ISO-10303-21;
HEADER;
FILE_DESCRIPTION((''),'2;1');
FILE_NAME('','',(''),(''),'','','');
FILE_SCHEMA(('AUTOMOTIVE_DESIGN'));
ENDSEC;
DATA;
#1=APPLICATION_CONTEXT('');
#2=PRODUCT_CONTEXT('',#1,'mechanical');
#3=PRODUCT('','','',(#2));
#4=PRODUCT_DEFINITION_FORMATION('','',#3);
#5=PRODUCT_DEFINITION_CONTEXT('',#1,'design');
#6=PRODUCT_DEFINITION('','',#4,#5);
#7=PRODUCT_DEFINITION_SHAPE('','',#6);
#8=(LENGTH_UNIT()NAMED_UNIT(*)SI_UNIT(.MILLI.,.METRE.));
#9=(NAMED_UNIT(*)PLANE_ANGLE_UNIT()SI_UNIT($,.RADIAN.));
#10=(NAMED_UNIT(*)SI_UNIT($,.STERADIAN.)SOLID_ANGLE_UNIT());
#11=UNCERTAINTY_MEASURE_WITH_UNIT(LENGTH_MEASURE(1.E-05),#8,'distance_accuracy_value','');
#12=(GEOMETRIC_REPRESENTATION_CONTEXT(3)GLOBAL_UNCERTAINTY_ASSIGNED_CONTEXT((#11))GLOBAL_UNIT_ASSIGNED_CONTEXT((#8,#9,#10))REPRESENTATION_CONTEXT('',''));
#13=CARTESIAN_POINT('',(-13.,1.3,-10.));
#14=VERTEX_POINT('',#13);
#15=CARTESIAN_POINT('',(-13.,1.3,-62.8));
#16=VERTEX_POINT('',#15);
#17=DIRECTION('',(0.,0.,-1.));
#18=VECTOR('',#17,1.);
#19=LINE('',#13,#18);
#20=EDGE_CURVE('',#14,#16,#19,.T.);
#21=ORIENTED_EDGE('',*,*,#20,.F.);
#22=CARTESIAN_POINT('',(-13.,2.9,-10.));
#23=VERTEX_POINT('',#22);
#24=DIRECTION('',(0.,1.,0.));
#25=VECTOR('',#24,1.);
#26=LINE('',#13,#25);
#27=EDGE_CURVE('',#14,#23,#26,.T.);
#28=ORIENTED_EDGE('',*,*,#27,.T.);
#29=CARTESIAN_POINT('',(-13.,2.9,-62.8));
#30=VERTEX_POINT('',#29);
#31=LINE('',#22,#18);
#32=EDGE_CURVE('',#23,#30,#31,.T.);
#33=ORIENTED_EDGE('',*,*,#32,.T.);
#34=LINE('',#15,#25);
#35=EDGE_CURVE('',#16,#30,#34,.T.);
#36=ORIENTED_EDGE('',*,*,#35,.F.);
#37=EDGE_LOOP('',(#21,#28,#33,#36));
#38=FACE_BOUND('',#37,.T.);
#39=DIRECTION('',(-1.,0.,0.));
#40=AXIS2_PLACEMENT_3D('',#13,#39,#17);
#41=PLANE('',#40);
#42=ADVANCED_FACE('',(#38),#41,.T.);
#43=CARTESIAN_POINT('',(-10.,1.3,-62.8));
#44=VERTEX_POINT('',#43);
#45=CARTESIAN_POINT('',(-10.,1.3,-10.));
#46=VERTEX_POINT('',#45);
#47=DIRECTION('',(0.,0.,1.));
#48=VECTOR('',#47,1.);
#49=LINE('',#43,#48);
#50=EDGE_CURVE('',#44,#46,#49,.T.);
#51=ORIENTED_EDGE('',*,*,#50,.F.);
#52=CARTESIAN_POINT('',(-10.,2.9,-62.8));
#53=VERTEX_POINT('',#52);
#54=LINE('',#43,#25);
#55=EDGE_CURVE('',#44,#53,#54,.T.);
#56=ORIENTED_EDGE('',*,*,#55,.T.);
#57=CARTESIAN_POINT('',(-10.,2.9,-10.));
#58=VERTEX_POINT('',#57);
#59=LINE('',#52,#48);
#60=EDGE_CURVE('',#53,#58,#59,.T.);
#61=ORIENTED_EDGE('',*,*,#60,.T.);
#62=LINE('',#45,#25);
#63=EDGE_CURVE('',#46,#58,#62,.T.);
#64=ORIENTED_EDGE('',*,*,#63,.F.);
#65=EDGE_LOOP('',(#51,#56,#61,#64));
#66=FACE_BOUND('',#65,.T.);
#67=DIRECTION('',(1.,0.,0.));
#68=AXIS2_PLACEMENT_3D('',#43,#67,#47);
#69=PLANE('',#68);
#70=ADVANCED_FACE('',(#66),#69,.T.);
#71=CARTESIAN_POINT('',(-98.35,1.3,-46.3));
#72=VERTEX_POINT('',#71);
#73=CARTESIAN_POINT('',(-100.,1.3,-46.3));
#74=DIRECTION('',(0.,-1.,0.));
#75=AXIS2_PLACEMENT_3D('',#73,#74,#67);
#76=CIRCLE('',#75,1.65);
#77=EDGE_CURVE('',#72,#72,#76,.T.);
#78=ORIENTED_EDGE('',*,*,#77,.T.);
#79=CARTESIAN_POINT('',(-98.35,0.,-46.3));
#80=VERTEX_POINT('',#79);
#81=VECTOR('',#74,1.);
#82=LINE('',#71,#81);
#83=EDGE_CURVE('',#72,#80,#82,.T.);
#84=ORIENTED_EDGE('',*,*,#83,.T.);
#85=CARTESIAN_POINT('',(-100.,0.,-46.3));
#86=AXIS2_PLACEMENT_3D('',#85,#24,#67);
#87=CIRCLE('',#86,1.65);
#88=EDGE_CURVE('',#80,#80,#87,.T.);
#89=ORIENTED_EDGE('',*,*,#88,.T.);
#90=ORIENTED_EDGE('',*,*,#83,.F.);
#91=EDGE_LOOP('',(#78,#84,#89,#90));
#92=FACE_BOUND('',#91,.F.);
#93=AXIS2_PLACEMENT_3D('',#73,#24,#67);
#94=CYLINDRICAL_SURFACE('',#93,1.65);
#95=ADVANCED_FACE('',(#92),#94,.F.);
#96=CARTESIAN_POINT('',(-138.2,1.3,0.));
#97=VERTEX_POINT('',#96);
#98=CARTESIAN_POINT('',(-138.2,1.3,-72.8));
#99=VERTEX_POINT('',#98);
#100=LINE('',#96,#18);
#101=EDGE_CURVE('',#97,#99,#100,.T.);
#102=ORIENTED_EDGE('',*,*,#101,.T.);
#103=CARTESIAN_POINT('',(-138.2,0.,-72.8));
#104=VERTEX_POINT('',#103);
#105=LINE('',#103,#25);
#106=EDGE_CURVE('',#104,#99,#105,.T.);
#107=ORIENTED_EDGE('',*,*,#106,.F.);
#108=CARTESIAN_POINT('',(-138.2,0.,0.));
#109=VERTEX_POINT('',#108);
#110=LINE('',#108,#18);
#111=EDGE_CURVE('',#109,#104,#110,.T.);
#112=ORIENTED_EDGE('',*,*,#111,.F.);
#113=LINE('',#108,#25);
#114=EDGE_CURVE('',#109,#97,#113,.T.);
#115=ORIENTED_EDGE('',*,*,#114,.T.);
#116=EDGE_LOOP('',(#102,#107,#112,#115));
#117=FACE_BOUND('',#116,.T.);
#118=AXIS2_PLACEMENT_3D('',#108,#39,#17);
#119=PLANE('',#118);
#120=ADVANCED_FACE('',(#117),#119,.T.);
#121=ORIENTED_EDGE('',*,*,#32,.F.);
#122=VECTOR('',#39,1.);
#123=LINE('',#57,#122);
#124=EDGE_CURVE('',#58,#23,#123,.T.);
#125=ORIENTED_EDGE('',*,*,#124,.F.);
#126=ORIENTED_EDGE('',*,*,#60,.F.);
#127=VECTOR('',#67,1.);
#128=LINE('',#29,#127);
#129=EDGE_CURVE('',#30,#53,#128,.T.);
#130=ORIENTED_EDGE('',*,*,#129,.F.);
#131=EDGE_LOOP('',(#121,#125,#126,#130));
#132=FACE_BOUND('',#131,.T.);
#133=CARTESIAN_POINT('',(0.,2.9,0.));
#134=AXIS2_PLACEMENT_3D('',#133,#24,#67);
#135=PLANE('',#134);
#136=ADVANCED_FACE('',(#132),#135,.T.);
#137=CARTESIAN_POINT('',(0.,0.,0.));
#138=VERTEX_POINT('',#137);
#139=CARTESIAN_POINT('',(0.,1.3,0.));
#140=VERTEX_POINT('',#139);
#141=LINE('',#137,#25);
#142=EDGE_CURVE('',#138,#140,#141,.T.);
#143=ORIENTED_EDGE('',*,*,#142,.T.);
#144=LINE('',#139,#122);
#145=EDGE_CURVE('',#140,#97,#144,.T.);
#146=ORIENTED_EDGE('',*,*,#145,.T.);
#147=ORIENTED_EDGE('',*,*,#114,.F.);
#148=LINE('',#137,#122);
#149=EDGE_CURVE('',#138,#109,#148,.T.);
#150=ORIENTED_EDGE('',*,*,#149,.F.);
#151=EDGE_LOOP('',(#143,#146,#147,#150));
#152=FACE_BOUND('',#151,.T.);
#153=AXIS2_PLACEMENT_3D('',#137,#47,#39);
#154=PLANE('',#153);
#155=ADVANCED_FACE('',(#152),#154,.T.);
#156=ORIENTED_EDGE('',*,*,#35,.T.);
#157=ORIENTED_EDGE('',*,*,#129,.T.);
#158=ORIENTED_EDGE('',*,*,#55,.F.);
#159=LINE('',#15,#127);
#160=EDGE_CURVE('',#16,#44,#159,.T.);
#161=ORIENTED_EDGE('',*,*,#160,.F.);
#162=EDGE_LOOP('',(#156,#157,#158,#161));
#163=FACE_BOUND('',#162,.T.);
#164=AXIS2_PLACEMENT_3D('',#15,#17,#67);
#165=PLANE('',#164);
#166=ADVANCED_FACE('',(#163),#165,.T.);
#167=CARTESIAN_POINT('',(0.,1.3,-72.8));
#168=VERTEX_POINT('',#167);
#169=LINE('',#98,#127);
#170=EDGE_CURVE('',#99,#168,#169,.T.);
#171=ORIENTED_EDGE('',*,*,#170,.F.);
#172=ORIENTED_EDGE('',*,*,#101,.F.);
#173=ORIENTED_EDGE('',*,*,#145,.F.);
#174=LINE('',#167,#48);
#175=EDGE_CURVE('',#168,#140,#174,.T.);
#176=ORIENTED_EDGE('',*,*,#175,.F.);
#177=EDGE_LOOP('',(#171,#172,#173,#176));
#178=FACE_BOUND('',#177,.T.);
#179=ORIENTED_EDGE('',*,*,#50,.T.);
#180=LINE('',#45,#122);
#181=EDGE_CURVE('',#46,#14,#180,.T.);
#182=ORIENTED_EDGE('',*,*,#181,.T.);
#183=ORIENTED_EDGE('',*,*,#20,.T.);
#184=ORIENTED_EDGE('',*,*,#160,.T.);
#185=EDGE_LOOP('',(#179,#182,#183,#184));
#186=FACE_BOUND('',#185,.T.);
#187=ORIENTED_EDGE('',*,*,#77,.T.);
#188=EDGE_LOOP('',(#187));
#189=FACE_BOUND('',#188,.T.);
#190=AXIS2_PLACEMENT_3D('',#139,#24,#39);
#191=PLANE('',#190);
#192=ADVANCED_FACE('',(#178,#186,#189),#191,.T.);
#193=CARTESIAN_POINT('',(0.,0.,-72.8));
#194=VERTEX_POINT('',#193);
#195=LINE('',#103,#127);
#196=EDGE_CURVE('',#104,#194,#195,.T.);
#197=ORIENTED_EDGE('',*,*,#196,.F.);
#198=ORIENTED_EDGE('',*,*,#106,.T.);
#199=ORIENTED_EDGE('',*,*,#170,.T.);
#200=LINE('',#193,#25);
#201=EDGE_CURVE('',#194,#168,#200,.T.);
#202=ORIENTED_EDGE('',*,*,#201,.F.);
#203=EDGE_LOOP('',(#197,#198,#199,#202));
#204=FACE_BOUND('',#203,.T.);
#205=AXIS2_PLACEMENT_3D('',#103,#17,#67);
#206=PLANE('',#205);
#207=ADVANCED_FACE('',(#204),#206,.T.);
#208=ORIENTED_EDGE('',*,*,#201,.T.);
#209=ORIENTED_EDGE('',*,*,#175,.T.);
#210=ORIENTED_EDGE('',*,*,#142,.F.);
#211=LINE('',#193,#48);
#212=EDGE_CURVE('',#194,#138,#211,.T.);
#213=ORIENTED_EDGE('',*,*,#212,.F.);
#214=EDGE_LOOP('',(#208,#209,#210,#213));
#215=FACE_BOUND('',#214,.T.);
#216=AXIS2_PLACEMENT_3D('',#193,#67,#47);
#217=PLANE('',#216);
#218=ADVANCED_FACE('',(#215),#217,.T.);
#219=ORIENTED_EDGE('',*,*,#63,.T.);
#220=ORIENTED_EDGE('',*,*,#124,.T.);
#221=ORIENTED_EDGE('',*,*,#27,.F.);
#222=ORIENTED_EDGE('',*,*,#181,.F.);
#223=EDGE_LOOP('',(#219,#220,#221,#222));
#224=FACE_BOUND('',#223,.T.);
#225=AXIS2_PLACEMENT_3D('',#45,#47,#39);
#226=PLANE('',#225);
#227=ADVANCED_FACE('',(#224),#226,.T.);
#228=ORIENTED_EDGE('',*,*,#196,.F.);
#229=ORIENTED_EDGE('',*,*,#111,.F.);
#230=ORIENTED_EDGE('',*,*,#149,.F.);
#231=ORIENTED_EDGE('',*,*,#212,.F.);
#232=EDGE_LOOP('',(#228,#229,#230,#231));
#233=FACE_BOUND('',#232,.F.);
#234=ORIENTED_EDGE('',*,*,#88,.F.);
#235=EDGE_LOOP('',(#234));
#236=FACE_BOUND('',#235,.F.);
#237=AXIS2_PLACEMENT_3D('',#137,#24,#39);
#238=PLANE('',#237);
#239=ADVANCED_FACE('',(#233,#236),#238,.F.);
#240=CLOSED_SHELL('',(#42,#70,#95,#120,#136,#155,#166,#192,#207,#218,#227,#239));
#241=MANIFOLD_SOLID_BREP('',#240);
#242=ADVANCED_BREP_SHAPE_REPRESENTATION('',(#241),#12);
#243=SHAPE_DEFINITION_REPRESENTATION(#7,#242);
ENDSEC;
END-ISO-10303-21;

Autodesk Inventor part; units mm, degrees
ref_plane "YZ Plane" through (0, 0, 0) normal (1, 0, 0) x (0, 1, 0)
ref_plane "XZ Plane" through (0, 0, 0) normal (0, 1, 0) x (-1, 0, 0)
ref_plane "XY Plane" through (0, 0, 0) normal (0, 0, 1) x (1, 0, 0)
sketch "Sketch1" plane through (0, 0, 0) normal (0, 1, 0) x (-1, 0, 0)
  line L0 (0, 0) -> (138.2, 0)
  line L1 (138.2, 0) -> (138.2, -72.8)
  line L2 (138.2, -72.8) -> (0, -72.8)
  line L3 (0, -72.8) -> (0, 0)
  dimension "d0" = 138.2
  dimension "d1" = 72.8
extrude "Extrusion1" add sketch "Sketch1" along normal blind 1.3
sketch "Sketch2" plane through (0, 1.3, 0) normal (0, 1, 0) x (1, 0, 0)
  line L0 (0, 72.8) -> (-138.2, 72.8) projected
  line L1 (0, 72.8) -> (-100, 72.8)
  line L2 (-100, 72.8) -> (-100, 46.3)
  circle A0 centre (-100, 46.3) radius 1.65
  point P0 (0, 0)
  dimension "d4" = 100
  dimension "d5" = 26.5
  dimension "d6" = 3.3
extrude "Extrusion2" cut sketch "Sketch2" against normal through all
sketch "Sketch3" plane through (0, 1.3, 0) normal (0, 1, 0) x (1, 0, 0)
  line L0 (-138.2, 0) -> (0, 0) projected
  line L1 (0, 0) -> (0, 10)
  line L2 (0, 0) -> (0, 72.8) projected
  line L3 (0, 10) -> (-10, 10)
  line L4 (0, 72.8) -> (0, 62.8)
  line L5 (0, 62.8) -> (-10, 62.8)
  line L6 (-10, 10) -> (-13, 10)
  line L7 (-13, 10) -> (-13, 62.8)
  line L8 (-13, 62.8) -> (-10, 62.8)
  line L9 (-10, 62.8) -> (-10, 10)
  dimension "d9" = 10
  dimension "d10" = 10
  dimension "d11" = 10
  dimension "d12" = 10
  dimension "d13" = 3
extrude "Extrusion3" add sketch "Sketch3" along normal blind 1.6 contours L6 L7 L8 L9
properties part number "Lid_3DPrint"
